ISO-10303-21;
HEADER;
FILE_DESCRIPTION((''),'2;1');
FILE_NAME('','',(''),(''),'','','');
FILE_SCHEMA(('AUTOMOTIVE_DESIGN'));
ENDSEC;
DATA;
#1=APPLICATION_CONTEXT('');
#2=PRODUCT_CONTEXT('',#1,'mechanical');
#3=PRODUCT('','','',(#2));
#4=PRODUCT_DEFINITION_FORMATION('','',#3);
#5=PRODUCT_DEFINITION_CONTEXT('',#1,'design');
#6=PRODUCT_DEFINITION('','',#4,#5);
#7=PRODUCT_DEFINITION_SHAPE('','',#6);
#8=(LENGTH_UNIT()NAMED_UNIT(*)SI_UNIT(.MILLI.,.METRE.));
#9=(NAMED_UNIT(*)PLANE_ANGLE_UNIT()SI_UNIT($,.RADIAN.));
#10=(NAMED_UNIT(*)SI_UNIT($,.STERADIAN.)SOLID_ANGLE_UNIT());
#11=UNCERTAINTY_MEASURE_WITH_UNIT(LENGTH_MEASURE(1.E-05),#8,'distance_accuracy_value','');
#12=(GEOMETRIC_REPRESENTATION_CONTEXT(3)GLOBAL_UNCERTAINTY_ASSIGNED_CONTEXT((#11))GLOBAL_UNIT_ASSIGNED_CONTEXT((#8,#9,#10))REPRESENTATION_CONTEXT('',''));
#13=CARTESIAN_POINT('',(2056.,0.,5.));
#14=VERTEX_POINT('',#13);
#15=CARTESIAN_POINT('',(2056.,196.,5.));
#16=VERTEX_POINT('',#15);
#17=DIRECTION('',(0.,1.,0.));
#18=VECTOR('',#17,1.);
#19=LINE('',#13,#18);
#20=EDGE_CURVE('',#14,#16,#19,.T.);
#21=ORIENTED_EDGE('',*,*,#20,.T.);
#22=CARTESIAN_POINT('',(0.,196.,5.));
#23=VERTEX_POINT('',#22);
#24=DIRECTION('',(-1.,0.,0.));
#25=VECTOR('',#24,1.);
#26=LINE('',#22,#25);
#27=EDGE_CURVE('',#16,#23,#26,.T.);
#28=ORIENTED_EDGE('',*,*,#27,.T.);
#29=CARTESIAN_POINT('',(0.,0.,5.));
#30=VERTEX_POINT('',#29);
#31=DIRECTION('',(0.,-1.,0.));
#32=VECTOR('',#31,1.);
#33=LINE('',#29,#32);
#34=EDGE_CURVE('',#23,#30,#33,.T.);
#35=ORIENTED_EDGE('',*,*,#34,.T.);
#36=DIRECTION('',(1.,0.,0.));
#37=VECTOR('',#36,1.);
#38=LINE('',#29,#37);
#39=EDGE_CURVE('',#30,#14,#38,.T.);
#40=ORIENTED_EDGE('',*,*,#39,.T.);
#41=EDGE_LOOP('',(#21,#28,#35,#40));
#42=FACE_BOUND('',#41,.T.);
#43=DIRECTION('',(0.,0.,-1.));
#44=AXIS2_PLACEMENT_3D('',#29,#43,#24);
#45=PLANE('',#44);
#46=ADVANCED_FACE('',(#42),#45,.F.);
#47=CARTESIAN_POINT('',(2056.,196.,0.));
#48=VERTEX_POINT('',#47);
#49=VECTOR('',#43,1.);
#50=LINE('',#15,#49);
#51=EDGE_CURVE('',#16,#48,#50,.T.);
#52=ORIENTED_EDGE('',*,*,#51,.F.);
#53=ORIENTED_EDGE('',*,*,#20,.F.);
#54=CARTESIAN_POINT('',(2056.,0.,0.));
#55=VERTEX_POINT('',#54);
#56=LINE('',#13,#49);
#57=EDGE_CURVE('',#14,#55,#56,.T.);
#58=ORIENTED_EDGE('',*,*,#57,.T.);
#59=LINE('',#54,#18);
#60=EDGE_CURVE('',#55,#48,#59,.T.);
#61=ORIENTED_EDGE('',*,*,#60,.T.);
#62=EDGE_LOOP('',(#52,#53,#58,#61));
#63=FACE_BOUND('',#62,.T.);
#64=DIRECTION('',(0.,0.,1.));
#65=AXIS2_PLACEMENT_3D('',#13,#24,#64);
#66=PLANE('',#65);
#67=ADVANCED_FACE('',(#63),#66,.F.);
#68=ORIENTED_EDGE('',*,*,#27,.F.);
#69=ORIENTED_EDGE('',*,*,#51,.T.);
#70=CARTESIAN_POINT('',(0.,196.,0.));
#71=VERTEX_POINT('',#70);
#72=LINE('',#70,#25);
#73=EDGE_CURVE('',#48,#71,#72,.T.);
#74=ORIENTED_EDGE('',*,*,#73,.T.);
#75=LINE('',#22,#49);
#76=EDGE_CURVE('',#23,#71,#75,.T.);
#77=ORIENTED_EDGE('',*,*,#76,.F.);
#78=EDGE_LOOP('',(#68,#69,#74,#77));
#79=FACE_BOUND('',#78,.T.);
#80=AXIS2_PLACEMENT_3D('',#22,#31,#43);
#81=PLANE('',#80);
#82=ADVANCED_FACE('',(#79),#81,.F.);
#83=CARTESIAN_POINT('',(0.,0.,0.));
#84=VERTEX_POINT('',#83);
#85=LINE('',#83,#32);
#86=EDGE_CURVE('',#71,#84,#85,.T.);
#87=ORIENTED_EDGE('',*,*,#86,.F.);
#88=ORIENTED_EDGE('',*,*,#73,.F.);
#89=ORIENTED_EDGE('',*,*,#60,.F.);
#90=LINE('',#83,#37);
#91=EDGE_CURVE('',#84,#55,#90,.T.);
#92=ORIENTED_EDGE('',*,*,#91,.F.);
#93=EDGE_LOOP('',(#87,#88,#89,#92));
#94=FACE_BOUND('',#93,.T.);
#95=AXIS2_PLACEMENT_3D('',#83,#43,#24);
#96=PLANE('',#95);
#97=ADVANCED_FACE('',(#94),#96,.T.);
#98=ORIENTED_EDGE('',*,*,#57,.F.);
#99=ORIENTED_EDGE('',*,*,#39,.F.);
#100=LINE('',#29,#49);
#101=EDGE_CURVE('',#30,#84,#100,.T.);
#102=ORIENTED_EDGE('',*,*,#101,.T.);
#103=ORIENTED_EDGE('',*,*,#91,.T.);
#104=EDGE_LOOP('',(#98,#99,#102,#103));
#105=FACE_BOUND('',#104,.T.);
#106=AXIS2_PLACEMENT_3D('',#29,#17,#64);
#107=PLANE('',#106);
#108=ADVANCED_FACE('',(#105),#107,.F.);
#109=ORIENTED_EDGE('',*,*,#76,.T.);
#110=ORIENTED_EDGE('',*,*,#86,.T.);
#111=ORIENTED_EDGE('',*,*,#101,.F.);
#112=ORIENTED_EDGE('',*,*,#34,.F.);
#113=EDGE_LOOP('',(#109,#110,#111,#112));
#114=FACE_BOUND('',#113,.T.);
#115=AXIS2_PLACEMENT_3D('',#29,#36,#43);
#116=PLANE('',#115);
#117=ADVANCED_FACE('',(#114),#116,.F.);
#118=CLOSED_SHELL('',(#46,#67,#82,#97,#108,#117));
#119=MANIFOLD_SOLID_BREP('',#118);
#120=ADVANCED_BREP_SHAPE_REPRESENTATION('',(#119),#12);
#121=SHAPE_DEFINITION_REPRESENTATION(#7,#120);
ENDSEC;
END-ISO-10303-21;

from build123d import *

# Parameters (mm, degrees)
SKETCH_1_W      = 2056
SKETCH_1_H      = 196
EXTRUDE_1_DEPTH = 5


with BuildPart() as part:
    # 草图1 → 凸台-拉伸1 (new body)
    with BuildSketch(Plane.XY):
        with Locations((1028, 98)):
            Rectangle(SKETCH_1_W, SKETCH_1_H)
    extrude(amount=EXTRUDE_1_DEPTH)


solid = part.part
